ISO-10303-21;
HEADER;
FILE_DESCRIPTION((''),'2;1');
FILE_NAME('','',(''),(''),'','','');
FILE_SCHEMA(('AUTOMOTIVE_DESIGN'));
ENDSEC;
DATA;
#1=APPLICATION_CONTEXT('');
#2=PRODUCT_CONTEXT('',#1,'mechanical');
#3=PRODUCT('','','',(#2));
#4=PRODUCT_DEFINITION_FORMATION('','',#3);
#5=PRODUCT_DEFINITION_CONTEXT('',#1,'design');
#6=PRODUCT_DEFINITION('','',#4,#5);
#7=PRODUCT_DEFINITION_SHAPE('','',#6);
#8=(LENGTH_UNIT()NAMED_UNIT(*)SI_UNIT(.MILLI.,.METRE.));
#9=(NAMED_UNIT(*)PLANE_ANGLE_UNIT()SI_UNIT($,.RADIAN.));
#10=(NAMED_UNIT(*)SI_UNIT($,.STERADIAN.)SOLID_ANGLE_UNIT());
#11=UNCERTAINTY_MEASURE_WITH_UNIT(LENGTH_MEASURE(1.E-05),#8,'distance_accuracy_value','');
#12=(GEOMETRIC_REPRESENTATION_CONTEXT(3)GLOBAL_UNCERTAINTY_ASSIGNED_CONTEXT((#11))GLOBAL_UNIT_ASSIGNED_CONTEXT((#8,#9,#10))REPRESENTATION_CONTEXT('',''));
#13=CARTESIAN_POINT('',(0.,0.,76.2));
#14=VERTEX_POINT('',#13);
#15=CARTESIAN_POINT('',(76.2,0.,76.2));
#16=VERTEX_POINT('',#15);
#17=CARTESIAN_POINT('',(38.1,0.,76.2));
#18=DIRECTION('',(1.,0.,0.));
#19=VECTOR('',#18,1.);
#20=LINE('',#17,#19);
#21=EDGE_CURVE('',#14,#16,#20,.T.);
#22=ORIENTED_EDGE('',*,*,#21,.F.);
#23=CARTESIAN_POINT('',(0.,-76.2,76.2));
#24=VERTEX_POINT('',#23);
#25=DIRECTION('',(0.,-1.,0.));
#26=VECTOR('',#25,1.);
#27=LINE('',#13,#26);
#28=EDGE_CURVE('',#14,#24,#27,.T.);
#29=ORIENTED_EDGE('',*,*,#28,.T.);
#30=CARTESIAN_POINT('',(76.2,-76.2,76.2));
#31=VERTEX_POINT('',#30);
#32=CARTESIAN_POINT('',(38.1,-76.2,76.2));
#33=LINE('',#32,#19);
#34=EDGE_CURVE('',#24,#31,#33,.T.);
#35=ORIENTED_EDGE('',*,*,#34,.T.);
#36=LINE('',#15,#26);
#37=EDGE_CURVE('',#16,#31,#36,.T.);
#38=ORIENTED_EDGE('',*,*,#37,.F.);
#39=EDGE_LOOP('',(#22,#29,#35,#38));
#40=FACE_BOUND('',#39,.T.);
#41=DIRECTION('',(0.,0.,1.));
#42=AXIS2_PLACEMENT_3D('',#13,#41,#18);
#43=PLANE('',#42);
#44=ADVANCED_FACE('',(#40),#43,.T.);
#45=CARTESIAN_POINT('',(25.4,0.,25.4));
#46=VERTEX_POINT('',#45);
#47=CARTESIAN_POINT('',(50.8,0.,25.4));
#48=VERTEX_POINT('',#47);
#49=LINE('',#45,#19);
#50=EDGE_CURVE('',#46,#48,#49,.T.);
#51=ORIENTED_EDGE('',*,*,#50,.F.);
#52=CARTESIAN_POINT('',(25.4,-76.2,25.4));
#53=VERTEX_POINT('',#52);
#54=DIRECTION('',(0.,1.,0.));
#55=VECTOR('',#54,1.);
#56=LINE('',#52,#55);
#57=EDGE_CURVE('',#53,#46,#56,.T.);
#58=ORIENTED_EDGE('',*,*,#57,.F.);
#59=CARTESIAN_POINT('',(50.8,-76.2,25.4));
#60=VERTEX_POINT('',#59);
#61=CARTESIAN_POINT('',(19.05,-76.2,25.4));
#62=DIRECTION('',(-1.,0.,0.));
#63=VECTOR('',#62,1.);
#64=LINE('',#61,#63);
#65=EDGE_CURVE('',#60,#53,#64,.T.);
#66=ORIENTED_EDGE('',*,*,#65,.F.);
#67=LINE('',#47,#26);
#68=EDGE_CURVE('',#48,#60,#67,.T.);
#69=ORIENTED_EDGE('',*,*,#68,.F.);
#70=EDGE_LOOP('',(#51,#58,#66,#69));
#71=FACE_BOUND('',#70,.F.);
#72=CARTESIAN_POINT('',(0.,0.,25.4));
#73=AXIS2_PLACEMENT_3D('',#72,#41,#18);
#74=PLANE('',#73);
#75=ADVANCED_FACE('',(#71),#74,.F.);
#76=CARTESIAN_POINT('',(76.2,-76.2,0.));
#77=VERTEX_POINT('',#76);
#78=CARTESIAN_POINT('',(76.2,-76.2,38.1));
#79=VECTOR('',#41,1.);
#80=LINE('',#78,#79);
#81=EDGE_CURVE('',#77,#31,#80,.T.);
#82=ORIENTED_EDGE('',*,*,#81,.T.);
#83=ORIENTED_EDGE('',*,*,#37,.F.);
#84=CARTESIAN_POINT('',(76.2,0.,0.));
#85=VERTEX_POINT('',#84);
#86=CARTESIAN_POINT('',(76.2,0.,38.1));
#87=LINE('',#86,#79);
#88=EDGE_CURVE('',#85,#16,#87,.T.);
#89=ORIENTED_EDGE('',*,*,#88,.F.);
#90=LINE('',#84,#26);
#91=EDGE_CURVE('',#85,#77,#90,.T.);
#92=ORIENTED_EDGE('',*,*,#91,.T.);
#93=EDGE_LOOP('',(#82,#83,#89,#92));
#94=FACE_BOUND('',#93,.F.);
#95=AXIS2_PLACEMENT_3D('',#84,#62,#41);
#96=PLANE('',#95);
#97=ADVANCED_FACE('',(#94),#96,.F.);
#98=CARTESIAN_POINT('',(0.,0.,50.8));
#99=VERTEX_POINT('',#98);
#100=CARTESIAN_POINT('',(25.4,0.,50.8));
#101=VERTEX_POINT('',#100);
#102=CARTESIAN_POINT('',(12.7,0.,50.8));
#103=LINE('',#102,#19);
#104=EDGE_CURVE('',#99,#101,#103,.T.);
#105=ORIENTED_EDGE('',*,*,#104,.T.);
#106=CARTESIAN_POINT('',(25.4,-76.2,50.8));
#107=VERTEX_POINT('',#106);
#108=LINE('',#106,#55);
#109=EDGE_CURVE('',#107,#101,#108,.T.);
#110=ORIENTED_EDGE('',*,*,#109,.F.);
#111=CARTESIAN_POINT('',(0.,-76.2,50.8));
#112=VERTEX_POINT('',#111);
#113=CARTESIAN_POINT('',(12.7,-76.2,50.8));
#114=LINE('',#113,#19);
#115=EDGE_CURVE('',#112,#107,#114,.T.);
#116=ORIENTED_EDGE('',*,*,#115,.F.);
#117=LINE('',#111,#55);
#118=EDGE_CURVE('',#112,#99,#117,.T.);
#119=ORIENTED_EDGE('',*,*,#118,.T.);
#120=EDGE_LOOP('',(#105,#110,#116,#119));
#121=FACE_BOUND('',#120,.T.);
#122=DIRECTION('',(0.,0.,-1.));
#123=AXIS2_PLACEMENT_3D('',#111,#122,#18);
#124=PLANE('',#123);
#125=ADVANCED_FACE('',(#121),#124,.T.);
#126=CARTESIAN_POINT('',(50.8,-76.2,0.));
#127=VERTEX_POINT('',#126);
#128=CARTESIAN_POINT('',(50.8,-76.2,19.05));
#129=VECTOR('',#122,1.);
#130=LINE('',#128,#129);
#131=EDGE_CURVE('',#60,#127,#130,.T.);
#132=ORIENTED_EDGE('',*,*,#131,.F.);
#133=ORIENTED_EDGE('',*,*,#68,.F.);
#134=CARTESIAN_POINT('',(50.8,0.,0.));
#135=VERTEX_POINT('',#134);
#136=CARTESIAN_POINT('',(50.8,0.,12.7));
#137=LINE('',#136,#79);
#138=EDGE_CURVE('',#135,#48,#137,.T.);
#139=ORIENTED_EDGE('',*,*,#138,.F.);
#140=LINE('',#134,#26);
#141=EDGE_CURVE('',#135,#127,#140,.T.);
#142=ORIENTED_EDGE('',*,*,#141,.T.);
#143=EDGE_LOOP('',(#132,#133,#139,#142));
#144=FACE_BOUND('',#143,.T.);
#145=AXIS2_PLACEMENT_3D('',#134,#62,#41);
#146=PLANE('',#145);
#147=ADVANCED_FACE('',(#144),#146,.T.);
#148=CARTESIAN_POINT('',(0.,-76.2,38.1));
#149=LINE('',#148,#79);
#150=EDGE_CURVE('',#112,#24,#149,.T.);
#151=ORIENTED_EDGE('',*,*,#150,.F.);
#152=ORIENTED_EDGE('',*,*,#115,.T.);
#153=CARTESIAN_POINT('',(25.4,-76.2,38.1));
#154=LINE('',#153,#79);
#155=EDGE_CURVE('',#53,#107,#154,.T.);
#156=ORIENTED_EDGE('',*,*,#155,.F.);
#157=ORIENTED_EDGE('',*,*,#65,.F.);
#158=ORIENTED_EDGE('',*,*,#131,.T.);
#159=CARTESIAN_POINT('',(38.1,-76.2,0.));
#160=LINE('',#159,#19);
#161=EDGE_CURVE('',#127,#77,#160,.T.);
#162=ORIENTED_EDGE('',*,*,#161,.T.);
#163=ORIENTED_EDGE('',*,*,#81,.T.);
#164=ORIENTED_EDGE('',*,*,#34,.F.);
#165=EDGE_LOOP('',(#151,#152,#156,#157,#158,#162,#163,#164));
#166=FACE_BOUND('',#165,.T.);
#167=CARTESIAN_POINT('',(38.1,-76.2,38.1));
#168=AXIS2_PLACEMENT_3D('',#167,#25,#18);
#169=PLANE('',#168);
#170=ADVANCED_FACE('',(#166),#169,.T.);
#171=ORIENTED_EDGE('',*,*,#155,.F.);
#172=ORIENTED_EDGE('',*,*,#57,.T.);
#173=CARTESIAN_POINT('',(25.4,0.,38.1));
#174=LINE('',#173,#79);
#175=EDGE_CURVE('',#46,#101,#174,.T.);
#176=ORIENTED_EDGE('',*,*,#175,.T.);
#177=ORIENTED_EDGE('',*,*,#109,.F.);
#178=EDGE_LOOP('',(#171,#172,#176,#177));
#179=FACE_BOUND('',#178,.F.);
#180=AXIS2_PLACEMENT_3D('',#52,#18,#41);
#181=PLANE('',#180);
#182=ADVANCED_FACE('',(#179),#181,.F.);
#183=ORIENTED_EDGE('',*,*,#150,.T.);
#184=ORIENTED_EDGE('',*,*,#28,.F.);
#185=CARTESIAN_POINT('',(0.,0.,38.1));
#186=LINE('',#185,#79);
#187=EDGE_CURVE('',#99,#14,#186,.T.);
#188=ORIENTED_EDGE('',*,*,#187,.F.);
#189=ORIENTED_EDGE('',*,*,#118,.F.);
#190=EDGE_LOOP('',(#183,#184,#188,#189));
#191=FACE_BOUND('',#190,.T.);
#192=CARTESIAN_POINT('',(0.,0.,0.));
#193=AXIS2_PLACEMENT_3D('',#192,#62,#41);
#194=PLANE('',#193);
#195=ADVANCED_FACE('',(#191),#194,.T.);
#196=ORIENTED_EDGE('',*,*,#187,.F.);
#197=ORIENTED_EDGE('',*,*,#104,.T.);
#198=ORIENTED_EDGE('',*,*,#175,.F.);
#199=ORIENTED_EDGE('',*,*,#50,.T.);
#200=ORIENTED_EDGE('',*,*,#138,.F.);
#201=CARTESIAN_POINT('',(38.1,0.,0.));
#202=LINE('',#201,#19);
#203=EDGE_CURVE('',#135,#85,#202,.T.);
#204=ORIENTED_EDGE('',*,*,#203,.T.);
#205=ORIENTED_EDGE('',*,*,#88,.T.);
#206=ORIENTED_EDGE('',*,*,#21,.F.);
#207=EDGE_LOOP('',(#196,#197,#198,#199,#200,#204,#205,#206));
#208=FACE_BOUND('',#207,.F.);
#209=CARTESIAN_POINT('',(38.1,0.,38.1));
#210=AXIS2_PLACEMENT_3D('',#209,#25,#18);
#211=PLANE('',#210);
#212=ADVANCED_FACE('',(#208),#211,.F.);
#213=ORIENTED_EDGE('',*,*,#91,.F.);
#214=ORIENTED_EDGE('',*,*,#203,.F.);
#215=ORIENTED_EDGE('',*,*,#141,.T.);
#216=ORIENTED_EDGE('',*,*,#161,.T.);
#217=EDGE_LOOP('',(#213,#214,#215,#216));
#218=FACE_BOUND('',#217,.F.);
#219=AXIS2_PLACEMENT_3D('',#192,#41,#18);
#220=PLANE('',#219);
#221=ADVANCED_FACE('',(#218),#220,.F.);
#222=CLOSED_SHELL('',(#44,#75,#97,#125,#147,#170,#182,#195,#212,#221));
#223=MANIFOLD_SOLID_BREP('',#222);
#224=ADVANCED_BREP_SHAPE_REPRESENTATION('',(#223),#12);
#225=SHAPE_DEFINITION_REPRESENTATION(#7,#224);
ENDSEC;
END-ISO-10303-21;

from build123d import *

# Parameters (mm, degrees)
F0_W     = 76.2
F0_H     = 76.2
F2_DEPTH = 76.2
F1_W     = 50.8
F1_H     = 25.4
F3_DEPTH = 164.592
F4_W     = 25.4
F4_H     = 25.4
F5_DEPTH = 76.2


with BuildPart() as f2:
    # F0 (on Front) → F2 (new body)
    with BuildSketch(Plane.XZ):
        with Locations((38.1, 38.1)):
            Rectangle(F0_W, F0_H)
    extrude(amount=F2_DEPTH)

    # F1 (on Front) → F3 (cut)
    with BuildSketch(Plane.XZ):
        with Locations((25.4, 12.7)):
            Rectangle(F1_W, F1_H)
    extrude(amount=F3_DEPTH, mode=Mode.SUBTRACT)

    # F4 (on face) → F5 (cut)
    with BuildSketch(Plane.XZ.offset(76.2)):
        with Locations((12.7, 38.1)):
            Rectangle(F4_W, F4_H)
    extrude(amount=-F5_DEPTH, mode=Mode.SUBTRACT)


solid = f2.part
